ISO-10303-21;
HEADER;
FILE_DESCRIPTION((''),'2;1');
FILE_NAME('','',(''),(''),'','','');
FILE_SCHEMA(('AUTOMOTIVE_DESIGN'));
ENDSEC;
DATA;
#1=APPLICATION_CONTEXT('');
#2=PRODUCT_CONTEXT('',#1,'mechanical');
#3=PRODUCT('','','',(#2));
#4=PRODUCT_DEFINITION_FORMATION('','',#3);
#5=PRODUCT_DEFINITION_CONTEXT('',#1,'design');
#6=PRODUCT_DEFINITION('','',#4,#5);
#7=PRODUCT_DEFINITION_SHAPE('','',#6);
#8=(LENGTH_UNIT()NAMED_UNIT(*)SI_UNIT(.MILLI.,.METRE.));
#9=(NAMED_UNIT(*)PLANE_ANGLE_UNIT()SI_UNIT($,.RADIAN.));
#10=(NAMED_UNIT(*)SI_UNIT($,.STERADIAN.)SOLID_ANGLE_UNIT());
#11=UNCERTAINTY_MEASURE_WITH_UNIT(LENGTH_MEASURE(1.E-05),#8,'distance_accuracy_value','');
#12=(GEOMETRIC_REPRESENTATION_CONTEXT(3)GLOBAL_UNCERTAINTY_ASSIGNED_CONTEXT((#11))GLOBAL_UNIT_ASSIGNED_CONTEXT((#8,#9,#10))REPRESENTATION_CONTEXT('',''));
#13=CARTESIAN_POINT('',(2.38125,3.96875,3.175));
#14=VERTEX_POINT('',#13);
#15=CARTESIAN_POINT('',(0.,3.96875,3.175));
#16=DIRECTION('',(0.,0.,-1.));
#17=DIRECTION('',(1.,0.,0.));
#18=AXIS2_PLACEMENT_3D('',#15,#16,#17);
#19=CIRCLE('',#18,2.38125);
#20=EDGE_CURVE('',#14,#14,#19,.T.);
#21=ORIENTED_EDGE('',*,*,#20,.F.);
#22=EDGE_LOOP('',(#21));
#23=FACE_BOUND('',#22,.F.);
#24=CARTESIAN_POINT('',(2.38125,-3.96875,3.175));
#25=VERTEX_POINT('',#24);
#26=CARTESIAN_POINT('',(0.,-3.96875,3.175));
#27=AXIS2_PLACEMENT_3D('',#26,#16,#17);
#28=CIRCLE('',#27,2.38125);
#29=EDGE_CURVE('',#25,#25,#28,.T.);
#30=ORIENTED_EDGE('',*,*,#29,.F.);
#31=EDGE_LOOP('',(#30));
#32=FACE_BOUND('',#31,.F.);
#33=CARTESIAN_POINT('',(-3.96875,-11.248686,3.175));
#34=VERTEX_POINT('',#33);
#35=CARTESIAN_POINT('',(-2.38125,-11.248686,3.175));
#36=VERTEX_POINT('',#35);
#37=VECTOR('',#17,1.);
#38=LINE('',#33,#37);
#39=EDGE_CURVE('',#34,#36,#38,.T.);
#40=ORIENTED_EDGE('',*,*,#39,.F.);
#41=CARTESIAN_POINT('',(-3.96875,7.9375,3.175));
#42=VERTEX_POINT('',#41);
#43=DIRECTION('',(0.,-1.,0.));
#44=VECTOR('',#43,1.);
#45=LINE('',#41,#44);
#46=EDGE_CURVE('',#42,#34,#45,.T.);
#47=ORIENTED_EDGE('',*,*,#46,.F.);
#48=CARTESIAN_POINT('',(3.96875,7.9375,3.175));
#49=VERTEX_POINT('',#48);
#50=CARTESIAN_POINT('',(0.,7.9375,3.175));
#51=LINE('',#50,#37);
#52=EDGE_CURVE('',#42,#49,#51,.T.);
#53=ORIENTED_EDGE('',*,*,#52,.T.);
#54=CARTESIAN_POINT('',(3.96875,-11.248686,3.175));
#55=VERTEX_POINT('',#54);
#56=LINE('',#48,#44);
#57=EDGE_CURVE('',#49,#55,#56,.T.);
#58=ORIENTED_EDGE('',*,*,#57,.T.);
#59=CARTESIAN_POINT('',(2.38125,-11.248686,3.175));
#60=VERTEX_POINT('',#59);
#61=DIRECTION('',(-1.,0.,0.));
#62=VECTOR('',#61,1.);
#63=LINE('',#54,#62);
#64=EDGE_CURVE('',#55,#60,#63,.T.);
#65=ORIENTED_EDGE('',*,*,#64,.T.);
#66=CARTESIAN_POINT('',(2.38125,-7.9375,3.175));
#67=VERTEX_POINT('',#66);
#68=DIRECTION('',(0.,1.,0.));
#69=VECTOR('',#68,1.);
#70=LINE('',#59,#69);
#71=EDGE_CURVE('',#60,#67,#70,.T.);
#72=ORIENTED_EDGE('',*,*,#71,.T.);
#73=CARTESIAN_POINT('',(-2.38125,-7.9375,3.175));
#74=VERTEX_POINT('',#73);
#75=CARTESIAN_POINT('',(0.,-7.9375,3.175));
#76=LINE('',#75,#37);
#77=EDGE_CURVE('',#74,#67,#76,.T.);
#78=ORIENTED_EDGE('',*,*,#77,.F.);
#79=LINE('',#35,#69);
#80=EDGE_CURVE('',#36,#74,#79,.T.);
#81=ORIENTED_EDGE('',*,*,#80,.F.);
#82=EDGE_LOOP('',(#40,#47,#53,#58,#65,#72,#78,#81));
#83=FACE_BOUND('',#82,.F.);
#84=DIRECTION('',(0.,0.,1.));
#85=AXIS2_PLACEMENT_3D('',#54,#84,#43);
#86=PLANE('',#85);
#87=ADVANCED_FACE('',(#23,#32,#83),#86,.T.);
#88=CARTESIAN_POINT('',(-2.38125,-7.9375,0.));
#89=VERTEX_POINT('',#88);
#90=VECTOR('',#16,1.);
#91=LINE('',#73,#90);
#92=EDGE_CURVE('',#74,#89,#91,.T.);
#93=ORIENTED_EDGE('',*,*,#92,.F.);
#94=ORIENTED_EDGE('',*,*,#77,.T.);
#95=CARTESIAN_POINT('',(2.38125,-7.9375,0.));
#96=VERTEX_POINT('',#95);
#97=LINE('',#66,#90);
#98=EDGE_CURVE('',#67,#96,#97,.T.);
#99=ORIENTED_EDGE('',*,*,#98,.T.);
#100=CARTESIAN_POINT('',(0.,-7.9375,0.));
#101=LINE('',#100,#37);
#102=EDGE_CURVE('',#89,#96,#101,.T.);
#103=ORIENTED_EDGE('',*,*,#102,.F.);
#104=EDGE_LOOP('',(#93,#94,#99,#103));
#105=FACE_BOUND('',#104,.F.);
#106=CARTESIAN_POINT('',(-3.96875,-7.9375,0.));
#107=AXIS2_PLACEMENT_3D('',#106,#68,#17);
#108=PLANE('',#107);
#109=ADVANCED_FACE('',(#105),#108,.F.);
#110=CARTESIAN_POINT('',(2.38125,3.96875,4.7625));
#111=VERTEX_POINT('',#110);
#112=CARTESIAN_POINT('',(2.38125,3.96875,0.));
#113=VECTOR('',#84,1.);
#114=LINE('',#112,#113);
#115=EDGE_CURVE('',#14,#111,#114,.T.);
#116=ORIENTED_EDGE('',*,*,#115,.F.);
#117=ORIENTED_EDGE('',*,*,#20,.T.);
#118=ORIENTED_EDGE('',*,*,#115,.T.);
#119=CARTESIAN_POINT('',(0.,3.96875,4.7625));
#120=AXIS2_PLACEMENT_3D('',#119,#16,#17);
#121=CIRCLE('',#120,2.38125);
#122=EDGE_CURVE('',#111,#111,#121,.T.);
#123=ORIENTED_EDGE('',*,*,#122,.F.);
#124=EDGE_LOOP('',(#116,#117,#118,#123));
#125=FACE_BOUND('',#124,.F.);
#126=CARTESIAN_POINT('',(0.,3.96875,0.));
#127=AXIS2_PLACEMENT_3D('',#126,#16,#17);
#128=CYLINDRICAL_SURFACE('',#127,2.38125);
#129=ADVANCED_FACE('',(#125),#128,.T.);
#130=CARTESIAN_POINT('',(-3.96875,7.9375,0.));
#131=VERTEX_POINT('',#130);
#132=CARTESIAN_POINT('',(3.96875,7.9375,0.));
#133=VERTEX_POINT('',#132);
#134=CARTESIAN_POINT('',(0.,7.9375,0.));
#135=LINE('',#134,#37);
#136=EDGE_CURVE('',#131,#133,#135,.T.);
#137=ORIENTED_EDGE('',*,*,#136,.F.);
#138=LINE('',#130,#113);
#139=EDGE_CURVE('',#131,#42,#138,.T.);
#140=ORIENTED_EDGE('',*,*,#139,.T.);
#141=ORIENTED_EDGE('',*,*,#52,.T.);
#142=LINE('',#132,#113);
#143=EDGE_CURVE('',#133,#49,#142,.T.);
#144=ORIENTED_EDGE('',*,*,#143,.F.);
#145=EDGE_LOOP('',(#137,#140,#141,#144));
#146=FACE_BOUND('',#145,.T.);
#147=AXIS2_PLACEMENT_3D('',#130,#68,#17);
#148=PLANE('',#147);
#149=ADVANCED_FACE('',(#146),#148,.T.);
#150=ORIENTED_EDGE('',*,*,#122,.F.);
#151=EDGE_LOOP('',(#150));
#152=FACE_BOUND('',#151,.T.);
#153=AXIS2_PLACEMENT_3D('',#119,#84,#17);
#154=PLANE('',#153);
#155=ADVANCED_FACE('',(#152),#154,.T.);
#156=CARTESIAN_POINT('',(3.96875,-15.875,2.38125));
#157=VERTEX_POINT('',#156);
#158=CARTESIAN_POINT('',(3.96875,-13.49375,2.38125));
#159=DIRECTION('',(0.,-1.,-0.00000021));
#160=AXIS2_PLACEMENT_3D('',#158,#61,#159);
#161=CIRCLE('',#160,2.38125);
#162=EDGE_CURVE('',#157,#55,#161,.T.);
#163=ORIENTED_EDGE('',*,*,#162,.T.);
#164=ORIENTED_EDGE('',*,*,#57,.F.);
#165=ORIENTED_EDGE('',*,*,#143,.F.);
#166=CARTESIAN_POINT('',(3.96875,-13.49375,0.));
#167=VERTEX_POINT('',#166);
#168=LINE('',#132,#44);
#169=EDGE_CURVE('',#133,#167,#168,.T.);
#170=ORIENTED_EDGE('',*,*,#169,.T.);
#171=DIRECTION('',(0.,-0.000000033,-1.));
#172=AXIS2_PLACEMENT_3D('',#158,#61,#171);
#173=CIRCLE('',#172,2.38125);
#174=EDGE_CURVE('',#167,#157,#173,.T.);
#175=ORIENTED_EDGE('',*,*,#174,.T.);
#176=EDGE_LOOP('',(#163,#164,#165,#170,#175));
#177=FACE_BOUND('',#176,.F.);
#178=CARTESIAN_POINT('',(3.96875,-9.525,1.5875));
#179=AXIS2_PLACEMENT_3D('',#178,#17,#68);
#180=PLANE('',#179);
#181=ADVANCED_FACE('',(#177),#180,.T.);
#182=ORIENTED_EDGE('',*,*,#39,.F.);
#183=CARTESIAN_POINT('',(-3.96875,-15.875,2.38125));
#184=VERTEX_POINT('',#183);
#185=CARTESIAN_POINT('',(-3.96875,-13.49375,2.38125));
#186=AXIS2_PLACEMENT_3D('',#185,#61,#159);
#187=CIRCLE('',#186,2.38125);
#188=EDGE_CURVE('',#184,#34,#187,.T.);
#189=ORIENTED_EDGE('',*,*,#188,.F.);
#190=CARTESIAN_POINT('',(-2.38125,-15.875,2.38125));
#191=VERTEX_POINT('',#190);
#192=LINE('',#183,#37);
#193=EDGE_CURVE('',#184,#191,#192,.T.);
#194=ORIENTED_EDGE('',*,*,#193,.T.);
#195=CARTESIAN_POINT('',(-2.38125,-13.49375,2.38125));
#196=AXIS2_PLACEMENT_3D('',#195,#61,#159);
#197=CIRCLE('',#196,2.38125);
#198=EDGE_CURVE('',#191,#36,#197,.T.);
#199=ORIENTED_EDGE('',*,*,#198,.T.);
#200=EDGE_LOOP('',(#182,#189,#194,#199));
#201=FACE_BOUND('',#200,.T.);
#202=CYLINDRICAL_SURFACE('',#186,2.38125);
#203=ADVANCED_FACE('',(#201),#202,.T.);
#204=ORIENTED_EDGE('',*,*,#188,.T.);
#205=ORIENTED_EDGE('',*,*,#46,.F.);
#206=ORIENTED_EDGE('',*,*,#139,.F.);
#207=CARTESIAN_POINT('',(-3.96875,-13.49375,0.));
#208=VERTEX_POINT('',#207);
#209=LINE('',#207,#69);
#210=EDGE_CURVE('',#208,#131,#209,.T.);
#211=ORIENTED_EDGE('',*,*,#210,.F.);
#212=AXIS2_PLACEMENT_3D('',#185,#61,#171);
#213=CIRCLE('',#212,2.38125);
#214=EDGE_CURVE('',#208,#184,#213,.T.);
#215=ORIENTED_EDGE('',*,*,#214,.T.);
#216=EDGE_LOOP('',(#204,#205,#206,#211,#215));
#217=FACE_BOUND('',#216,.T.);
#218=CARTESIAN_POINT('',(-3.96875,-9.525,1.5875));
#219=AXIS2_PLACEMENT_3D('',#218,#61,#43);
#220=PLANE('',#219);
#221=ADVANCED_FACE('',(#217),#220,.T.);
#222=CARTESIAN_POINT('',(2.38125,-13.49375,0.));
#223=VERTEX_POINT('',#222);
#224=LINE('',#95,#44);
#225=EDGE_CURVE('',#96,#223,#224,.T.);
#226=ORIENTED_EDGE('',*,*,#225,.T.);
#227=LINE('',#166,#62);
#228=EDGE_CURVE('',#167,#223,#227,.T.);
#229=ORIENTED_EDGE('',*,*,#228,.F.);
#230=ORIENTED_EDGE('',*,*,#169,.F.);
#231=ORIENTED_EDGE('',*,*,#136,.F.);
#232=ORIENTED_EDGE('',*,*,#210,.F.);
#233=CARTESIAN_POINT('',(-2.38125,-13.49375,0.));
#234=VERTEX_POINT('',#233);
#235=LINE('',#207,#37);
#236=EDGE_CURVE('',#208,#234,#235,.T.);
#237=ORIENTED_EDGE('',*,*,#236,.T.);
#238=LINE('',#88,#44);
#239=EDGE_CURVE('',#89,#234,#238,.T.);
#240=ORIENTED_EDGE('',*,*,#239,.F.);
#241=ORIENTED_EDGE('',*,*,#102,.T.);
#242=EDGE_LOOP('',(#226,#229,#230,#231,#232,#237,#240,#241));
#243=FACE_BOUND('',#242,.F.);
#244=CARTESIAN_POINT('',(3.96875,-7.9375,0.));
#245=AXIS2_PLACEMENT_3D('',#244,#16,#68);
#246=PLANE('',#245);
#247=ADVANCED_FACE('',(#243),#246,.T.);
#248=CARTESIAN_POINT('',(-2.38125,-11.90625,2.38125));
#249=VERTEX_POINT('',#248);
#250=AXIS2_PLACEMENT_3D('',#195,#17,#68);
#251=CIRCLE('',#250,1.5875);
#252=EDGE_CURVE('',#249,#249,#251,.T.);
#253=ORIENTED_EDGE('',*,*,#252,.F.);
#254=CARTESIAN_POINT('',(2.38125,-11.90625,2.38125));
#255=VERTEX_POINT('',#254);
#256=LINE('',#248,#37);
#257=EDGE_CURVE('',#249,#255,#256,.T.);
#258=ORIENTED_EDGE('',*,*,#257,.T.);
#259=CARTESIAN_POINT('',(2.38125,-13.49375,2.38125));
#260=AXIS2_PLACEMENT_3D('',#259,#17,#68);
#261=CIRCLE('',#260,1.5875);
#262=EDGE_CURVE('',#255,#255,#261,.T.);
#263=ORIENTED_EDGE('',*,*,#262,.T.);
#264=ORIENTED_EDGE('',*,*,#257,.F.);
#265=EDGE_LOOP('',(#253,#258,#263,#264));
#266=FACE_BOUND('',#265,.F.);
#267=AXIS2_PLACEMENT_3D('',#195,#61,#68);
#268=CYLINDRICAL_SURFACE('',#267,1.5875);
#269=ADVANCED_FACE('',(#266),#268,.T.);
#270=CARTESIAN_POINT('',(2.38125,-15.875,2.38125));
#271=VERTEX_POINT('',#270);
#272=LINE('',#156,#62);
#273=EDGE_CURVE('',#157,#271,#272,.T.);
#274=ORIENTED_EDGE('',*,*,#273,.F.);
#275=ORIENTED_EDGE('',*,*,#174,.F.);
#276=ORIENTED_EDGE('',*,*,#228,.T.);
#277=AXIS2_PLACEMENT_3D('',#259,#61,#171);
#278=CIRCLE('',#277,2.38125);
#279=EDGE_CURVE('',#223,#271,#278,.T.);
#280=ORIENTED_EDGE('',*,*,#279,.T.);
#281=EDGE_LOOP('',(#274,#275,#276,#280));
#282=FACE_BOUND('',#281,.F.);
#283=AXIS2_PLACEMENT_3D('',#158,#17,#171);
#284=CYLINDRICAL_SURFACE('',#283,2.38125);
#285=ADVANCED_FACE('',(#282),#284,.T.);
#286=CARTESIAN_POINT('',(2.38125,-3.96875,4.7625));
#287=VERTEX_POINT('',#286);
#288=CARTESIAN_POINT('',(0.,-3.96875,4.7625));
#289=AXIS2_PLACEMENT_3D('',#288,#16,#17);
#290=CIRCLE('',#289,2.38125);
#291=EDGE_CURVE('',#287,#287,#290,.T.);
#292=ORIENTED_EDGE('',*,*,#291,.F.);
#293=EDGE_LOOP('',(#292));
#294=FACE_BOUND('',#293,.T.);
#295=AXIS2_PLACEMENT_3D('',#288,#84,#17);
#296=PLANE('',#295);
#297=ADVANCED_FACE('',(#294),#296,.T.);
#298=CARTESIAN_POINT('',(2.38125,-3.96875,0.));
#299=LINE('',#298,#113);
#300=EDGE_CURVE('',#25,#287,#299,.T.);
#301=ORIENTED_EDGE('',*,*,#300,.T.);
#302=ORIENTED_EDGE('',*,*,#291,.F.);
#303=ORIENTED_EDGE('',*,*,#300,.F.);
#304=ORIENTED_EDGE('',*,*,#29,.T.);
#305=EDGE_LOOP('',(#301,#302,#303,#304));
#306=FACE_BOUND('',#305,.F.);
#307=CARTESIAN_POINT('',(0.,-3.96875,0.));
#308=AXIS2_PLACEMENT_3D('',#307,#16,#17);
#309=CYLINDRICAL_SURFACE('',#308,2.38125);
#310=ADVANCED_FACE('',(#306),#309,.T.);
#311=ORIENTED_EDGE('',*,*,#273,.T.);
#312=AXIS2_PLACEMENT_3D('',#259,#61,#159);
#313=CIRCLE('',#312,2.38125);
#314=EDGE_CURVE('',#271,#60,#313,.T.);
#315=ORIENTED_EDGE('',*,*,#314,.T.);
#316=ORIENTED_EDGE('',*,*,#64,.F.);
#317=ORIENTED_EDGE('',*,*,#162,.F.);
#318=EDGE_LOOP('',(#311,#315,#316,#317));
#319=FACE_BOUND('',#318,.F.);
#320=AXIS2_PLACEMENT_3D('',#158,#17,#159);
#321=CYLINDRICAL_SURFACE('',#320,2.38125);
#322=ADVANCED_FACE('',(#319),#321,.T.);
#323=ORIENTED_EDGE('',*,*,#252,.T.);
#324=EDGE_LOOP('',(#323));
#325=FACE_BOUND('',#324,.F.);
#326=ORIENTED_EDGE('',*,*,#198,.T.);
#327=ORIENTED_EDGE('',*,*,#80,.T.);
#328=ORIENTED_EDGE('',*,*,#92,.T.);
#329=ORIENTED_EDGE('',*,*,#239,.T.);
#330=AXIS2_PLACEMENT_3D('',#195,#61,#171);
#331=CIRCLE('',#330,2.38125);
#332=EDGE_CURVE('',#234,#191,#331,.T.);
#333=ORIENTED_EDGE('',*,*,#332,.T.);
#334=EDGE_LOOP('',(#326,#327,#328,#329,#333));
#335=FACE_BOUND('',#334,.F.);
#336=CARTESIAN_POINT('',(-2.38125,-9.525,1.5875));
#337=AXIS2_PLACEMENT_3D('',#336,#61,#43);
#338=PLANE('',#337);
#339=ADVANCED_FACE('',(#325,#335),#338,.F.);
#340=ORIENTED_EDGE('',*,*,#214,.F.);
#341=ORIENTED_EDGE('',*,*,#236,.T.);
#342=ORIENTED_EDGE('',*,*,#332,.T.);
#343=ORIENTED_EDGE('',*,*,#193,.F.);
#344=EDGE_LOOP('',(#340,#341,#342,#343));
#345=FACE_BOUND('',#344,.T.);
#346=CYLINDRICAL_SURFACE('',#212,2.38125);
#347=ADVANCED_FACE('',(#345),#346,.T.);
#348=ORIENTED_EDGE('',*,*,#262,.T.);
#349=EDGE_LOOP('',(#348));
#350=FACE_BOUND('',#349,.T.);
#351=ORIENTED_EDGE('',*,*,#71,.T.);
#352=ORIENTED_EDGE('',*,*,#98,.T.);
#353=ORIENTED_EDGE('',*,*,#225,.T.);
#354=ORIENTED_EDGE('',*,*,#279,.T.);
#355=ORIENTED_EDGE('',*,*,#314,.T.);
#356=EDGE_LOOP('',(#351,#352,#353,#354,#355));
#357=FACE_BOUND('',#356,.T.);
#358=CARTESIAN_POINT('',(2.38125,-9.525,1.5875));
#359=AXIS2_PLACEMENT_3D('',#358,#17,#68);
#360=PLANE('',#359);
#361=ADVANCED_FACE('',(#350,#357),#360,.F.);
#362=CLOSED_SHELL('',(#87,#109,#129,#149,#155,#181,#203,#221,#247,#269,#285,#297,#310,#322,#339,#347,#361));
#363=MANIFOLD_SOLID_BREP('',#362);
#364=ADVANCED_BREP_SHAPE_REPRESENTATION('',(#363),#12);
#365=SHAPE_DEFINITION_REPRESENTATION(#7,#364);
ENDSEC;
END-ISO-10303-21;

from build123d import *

# Parameters (mm, degrees)
F0_W     = 7.9375
F0_H     = 15.875
F0_R     = 2.38125
F1_DEPTH = 3.175
F2_DEPTH = 4.7625
F4_DEPTH = 1.5875
F6_R     = 1.5875
F7_DEPTH = 4.7625


with BuildPart() as f1:
    # F0 (on Top) → F1 (new body)
    with BuildSketch(Plane.XY):
        Rectangle(F0_W, F0_H)
        with Locations((0, -3.96875)):
            Circle(F0_R, mode=Mode.SUBTRACT)
        with Locations((0, 3.96875)):
            Circle(F0_R, mode=Mode.SUBTRACT)
    extrude(amount=F1_DEPTH)

    # F0 (on Top) → F2 (join)
    with BuildSketch(Plane.XY):
        with Locations((0, 3.96875)):
            Circle(F0_R)
        with Locations((0, -3.96875)):
            Circle(F0_R)
    extrude(amount=F2_DEPTH)

    # F3 (on face) → F4 (join)
    with BuildSketch(Plane(origin=(-3.96875, 0, 0), x_dir=(0, -1, 0), z_dir=(-1, 0, 0))):
        Polygon((7.9375, 3.175), (7.9375, 0), (11.1125, 0), (11.1125, 2.38125), (11.1125, 3.175), align=None)
        with BuildLine():
            Line((11.1125, 2.38125), (11.1125, 0))
            Line((11.1125, 0), (13.49375, 0))
            ThreePointArc((13.49375, 0), (11.809952, 0.697452), (11.1125, 2.38125))
        make_face()
        with BuildLine():
            Line((11.1125, 3.175), (11.1125, 2.38125))
            ThreePointArc((11.1125, 2.38125), (11.146793, 2.783924), (11.248686, 3.175))
            Line((11.248686, 3.175), (11.1125, 3.175))
        make_face()
        with BuildLine():
            ThreePointArc((11.248686, 3.175), (11.146793, 2.783924), (11.1125, 2.38125))
            ThreePointArc((11.1125, 2.38125), (11.809952, 0.697452), (13.49375, 0))
            ThreePointArc((13.49375, 0), (15.177548, 0.697452), (15.875, 2.38125))
            ThreePointArc((15.875, 2.38125), (13.896424, 4.728207), (11.248686, 3.175))
        make_face()
    extrude(amount=-F4_DEPTH)

    # F5: F1 across plane


with BuildPart() as f1_1:
    add(f1.part)
    add(f1.part.mirror(Plane.YZ))

    # F6 (on face) → F7 (join)
    with BuildSketch(Plane.YZ.offset(-2.38125)):
        with Locations((-13.49375, 2.38125)):
            Circle(F6_R)
    extrude(amount=F7_DEPTH)


solid = f1_1.part
